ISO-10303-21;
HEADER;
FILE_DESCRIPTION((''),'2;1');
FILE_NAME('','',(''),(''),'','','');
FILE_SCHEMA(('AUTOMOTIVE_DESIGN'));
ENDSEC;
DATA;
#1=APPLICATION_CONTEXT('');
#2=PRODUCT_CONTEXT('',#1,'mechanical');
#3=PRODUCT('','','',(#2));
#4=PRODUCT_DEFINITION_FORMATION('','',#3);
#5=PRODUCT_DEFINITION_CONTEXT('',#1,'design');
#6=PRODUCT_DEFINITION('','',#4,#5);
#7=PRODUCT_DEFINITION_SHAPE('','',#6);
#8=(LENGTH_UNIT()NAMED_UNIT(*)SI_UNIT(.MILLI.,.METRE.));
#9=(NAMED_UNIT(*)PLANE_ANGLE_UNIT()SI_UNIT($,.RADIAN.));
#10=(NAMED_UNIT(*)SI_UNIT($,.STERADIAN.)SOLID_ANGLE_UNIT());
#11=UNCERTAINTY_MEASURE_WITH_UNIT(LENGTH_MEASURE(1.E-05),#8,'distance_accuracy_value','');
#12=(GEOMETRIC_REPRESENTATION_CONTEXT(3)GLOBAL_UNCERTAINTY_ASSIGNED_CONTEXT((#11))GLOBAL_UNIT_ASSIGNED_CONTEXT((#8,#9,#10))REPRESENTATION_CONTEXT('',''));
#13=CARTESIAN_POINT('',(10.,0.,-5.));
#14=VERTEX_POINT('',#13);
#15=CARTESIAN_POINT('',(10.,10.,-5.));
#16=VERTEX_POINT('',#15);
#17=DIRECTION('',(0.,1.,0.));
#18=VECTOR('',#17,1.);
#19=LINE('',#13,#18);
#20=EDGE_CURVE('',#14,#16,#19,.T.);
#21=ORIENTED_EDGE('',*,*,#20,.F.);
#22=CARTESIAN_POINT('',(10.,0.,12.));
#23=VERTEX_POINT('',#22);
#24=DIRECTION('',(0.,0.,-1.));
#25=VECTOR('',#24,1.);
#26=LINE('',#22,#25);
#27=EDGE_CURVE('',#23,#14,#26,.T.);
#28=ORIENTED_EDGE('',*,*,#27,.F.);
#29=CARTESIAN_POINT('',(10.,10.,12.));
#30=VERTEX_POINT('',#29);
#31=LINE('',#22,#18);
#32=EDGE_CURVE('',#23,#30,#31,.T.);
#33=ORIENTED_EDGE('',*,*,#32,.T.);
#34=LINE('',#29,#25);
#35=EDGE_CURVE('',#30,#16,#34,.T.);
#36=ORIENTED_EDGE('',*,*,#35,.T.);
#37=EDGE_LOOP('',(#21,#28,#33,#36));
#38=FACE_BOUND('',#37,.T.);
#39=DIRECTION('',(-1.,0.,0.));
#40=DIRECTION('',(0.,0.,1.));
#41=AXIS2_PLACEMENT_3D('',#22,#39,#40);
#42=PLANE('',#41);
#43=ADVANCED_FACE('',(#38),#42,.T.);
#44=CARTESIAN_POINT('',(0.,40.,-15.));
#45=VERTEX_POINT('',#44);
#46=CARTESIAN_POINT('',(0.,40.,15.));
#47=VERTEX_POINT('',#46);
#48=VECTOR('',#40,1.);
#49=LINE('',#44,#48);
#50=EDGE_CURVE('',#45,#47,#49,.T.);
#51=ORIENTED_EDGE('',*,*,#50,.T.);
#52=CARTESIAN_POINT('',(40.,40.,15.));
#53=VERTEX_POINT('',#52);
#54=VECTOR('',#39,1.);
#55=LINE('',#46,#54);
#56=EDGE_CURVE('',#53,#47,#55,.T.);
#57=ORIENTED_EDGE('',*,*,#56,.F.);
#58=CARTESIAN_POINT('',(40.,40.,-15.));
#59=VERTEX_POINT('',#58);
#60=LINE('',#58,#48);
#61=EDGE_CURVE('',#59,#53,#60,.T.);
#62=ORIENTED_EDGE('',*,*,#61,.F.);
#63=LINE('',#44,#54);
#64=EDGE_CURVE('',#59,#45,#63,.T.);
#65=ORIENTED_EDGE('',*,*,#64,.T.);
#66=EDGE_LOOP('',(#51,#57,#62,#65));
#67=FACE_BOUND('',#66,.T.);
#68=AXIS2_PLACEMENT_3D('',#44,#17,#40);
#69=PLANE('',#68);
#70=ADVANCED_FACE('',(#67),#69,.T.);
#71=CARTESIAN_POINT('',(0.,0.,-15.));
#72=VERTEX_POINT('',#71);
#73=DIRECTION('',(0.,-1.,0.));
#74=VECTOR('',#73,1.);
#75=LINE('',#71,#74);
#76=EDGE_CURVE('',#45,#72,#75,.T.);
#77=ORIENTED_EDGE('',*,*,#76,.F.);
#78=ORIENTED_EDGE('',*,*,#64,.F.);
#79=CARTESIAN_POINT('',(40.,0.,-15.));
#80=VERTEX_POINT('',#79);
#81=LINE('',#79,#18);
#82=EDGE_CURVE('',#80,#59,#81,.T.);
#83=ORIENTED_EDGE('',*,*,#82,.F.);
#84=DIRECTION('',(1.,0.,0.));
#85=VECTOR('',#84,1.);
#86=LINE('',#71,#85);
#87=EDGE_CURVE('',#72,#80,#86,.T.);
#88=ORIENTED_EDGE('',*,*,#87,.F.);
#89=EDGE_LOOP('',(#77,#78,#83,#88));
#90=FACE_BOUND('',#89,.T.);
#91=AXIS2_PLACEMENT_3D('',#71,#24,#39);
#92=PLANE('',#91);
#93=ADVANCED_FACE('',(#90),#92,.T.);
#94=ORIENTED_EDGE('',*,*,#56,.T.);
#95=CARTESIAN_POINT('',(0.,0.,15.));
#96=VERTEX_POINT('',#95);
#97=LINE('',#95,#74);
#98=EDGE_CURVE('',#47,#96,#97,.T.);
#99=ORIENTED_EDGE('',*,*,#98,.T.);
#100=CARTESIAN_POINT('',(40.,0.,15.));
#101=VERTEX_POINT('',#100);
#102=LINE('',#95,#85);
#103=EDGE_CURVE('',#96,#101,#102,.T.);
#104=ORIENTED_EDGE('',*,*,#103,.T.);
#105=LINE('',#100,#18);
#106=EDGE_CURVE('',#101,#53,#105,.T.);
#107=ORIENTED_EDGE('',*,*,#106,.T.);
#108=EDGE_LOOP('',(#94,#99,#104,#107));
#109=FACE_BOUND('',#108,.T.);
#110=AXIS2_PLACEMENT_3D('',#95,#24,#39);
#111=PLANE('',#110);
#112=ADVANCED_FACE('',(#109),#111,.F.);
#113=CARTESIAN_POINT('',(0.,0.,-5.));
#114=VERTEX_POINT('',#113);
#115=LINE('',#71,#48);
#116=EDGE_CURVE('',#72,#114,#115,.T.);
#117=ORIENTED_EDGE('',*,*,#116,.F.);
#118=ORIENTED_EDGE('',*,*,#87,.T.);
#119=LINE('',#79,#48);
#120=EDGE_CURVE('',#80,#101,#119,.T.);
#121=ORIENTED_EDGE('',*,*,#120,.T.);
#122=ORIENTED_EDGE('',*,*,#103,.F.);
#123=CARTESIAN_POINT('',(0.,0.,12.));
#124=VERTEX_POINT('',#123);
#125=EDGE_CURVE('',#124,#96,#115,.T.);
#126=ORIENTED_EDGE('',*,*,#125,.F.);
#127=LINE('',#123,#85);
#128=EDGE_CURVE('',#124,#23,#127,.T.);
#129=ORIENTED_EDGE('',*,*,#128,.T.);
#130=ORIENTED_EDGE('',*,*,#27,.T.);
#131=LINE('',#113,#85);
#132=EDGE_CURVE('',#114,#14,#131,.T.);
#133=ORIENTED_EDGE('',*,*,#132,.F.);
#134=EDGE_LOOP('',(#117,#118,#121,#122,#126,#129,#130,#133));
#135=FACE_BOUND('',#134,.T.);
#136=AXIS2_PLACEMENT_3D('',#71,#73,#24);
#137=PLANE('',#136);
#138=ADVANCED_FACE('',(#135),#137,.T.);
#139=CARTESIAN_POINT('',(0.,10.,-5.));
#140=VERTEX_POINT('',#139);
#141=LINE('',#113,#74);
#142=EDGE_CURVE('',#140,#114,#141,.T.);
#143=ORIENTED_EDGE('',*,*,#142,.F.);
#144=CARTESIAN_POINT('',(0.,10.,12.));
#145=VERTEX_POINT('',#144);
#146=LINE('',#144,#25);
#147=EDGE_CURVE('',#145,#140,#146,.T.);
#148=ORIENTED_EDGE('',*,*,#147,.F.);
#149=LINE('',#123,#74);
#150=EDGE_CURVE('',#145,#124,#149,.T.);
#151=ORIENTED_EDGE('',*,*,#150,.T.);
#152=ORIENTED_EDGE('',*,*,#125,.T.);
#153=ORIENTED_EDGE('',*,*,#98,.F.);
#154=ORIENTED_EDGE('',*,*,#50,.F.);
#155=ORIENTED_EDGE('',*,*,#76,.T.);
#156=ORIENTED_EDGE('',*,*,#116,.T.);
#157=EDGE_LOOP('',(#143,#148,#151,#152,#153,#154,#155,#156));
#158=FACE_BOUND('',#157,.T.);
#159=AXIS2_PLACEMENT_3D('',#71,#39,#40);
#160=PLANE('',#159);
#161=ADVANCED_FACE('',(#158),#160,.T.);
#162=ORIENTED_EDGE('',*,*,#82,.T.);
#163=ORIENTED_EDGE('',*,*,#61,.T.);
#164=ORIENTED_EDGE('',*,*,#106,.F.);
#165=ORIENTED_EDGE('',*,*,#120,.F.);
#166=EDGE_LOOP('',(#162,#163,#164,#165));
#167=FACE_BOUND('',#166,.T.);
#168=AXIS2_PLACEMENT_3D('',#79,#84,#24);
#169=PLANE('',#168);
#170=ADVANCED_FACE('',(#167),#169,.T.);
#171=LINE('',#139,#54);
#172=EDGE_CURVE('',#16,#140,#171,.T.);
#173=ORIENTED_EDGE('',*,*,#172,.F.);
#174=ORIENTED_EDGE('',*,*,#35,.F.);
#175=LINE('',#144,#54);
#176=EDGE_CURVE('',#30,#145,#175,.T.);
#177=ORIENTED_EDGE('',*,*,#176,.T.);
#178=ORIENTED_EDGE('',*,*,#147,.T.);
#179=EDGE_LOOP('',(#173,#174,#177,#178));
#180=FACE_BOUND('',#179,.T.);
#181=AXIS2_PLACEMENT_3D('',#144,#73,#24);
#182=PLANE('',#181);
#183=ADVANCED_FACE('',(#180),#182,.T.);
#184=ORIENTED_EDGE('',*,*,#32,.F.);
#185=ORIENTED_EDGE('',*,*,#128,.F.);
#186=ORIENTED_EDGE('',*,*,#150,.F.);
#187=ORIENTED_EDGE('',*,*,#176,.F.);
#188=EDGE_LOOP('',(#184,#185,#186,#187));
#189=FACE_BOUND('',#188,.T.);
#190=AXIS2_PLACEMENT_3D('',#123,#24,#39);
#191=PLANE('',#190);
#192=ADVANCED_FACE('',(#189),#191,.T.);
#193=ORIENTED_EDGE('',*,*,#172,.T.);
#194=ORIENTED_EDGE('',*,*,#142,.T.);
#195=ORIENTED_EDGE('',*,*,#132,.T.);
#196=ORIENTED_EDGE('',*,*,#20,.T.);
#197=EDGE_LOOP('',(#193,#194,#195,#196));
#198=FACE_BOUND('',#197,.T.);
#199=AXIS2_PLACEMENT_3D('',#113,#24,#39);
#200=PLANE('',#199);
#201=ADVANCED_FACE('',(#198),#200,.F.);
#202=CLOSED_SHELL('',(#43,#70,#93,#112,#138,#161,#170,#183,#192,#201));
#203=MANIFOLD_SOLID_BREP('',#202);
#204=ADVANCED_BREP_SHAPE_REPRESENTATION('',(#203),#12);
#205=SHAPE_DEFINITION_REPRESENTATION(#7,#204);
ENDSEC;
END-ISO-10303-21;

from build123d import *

# Parameters (mm, degrees)
BOSS_EXTRUDE1_DEPTH      = 15
BOSS_EXTRUDE1_DEPTH_BACK = 15
SKETCH1_W                = 40
SKETCH1_H                = 40
CUT_EXTRUDE1_DEPTH       = 12
CUT_EXTRUDE1_DEPTH_BACK  = 5
SKETCH2_W                = 10
SKETCH2_H                = 10


with BuildPart() as part:
    # Sketch1 → Boss-Extrude1 (new, two sides: drawn at the far end of the back side and taken through both)
    with BuildSketch(Plane.XY.offset(-BOSS_EXTRUDE1_DEPTH_BACK)):
        with Locations((20, 20)):
            Rectangle(SKETCH1_W, SKETCH1_H)
    extrude(amount=BOSS_EXTRUDE1_DEPTH + BOSS_EXTRUDE1_DEPTH_BACK)

    # Sketch2 → Cut-Extrude1 (cut, two sides: drawn at the far end of the back side and taken through both)
    with BuildSketch(Plane.XY.offset(-CUT_EXTRUDE1_DEPTH_BACK)):
        with Locations((5, 5)):
            Rectangle(SKETCH2_W, SKETCH2_H)
    extrude(amount=CUT_EXTRUDE1_DEPTH + CUT_EXTRUDE1_DEPTH_BACK, mode=Mode.SUBTRACT)


solid = part.part
